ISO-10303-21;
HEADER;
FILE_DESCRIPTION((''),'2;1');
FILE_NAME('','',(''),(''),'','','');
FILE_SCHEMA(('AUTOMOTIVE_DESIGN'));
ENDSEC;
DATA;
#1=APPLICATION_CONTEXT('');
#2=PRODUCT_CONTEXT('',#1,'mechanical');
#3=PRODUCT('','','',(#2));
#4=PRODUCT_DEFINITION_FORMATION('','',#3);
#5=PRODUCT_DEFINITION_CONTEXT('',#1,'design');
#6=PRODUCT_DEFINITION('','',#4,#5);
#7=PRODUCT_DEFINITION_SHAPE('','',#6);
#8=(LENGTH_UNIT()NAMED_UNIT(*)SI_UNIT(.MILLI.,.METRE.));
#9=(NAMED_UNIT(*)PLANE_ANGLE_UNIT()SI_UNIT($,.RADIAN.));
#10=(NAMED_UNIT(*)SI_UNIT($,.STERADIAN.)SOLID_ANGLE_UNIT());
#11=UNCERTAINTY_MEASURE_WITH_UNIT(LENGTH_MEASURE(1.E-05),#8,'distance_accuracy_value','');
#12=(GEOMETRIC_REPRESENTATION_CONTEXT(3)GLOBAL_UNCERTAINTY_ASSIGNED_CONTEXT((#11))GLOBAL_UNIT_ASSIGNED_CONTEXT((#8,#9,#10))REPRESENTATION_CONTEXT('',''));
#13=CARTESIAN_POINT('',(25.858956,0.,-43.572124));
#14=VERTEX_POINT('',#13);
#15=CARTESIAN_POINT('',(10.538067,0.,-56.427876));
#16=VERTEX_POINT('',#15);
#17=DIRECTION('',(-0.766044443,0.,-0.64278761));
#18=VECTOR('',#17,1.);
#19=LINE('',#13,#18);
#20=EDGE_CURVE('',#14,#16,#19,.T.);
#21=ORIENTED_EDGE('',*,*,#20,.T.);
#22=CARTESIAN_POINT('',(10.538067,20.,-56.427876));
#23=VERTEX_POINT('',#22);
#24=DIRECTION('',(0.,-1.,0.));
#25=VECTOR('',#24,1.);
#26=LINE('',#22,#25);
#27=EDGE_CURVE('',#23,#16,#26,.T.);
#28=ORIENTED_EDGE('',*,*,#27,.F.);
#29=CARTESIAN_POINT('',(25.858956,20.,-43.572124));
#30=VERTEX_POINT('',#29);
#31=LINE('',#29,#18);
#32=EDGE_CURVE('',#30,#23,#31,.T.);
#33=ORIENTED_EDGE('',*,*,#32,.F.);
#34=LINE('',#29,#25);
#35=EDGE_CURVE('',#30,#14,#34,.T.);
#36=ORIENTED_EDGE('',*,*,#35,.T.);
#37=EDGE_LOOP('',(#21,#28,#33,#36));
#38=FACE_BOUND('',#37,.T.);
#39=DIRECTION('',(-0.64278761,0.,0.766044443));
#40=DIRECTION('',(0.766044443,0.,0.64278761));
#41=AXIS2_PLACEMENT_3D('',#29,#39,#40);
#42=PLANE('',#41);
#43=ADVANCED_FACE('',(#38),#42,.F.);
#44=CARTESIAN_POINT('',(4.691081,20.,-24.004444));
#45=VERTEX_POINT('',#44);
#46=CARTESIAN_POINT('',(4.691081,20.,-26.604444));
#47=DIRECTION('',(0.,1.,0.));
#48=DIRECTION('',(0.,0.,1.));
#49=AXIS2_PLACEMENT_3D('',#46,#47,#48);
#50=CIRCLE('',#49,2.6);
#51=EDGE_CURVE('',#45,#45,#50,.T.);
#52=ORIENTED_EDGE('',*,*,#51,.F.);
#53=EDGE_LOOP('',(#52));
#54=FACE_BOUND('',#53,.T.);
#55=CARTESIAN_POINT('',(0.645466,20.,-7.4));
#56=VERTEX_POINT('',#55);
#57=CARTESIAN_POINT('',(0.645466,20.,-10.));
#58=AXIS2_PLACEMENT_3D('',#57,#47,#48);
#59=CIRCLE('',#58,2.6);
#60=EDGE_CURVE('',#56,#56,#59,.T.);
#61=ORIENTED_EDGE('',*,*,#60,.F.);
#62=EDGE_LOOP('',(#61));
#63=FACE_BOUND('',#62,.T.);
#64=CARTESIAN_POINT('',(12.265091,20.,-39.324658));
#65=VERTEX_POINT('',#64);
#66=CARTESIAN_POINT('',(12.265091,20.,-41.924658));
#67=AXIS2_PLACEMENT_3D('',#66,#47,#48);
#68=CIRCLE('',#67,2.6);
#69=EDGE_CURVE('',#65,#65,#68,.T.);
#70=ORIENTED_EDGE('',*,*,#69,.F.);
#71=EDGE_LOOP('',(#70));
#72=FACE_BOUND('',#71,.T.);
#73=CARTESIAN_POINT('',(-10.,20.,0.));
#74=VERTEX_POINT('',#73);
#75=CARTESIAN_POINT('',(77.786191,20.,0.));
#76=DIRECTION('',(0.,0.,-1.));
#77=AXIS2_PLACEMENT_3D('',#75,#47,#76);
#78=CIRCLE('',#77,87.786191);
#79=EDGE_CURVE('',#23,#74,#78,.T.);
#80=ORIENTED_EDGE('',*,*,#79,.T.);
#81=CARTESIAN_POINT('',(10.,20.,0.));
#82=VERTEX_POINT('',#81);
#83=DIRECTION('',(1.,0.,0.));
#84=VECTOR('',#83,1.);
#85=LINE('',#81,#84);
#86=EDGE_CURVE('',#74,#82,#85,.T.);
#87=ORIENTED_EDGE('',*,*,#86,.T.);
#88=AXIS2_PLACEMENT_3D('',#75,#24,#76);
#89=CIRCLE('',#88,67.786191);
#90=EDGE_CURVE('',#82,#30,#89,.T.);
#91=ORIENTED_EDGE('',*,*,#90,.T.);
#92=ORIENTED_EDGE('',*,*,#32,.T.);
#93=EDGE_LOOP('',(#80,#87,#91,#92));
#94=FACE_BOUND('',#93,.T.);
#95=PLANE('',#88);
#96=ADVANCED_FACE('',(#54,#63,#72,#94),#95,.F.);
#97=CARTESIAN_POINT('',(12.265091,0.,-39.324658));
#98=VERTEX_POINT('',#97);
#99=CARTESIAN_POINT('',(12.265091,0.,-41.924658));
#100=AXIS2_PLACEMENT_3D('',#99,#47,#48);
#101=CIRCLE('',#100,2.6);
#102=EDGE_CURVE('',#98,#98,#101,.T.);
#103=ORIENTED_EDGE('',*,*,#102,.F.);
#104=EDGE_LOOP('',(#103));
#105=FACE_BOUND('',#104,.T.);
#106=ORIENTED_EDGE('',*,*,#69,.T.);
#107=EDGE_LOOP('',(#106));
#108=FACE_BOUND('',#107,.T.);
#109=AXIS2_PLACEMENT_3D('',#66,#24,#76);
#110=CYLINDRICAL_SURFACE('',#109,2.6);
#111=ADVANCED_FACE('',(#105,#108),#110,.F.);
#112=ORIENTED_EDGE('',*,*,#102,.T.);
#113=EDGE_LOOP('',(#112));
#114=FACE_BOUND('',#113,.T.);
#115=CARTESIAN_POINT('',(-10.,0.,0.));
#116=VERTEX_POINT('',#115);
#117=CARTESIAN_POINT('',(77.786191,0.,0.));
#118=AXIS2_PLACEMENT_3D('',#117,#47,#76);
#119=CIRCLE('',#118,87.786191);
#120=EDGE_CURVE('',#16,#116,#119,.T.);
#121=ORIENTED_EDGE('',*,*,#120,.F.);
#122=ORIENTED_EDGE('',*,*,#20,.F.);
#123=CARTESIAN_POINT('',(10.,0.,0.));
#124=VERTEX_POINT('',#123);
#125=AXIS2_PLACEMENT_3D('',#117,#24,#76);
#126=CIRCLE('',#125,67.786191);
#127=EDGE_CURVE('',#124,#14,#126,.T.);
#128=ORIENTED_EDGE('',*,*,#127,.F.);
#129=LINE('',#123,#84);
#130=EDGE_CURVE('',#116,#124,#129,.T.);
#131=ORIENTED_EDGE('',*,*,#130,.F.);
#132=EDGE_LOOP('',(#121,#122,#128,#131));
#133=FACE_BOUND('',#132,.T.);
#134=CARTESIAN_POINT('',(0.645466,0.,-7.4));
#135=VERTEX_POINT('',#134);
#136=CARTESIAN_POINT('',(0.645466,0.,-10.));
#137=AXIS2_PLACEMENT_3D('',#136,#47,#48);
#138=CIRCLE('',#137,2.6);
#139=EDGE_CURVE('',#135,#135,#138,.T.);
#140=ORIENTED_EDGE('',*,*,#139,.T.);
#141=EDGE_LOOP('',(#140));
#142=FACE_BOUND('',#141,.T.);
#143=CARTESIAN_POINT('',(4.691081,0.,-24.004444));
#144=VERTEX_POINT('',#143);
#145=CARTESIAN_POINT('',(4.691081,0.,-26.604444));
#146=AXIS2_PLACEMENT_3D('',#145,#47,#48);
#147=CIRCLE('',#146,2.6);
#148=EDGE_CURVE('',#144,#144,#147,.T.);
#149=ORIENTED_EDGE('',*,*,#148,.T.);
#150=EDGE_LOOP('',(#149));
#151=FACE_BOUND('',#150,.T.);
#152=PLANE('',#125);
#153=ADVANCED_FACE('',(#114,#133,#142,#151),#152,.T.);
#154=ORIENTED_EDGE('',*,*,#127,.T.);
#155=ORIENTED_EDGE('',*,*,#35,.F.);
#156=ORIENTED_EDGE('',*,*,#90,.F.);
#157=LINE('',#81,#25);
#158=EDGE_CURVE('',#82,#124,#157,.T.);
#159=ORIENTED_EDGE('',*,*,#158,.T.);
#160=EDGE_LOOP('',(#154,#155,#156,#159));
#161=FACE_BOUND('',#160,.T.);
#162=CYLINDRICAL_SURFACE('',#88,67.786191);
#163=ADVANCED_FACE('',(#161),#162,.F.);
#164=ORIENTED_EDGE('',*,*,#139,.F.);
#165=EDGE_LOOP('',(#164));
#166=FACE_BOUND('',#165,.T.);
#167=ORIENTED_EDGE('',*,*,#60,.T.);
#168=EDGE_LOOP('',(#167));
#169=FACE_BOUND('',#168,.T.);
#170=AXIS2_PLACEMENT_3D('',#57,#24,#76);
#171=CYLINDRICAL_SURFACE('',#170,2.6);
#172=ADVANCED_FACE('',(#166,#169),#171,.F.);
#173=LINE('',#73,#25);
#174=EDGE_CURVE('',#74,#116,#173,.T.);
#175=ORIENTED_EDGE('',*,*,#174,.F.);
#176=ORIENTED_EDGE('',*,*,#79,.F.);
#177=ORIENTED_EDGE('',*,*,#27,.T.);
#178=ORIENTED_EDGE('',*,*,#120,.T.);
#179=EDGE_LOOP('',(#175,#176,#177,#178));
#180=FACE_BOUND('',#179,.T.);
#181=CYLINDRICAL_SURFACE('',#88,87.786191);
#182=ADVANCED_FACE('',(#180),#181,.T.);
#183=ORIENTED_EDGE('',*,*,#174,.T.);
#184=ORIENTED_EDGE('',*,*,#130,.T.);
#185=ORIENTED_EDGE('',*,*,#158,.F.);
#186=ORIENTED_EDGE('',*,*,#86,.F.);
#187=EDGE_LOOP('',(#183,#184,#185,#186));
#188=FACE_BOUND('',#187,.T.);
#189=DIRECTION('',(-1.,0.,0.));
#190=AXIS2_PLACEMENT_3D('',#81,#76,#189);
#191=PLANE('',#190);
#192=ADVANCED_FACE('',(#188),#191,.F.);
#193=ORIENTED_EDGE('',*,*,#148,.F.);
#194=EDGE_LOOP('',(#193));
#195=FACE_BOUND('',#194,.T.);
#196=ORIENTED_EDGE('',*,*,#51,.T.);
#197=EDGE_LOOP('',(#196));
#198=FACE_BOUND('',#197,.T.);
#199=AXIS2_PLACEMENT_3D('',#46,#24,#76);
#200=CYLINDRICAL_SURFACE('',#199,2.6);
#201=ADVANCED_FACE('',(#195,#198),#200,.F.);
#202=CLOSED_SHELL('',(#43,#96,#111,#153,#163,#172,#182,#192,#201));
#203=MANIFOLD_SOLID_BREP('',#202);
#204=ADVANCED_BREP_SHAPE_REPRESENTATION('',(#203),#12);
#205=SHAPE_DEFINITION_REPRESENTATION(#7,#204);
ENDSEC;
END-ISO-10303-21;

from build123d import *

# Parameters (mm, degrees)
SKETCH1_R           = 2.6
BOSS_EXTRUDE1_DEPTH = 20


with BuildPart() as part:
    # Sketch1 → Boss-Extrude1 (new body)
    with BuildSketch(Plane(origin=(0, 0, 0), x_dir=(1, 0, 0), z_dir=(0, 1, 0))):
        with BuildLine():
            Line((10, 0), (-10, 0))
            ThreePointArc((-10, 0), (-4.705844869, 30.024645745), (10.538067282, 56.427876097))
            Line((10.538067282, 56.427876097), (25.858956145, 43.572123903))
            ThreePointArc((25.858956145, 43.572123903), (14.088007547, 23.184242879), (10, 0))
        make_face()
        with Locations(Location((0.645465629, 10, 0), (0, 0, 270))):
            Circle(SKETCH1_R, mode=Mode.SUBTRACT)
        with Locations(Location((4.691081339, 26.604444312, 0), (0, 0, 270))):
            Circle(SKETCH1_R, mode=Mode.SUBTRACT)
        with Locations(Location((12.265090975, 41.92465826, 0), (0, 0, 270))):
            Circle(SKETCH1_R, mode=Mode.SUBTRACT)
    extrude(amount=BOSS_EXTRUDE1_DEPTH)


solid = part.part
